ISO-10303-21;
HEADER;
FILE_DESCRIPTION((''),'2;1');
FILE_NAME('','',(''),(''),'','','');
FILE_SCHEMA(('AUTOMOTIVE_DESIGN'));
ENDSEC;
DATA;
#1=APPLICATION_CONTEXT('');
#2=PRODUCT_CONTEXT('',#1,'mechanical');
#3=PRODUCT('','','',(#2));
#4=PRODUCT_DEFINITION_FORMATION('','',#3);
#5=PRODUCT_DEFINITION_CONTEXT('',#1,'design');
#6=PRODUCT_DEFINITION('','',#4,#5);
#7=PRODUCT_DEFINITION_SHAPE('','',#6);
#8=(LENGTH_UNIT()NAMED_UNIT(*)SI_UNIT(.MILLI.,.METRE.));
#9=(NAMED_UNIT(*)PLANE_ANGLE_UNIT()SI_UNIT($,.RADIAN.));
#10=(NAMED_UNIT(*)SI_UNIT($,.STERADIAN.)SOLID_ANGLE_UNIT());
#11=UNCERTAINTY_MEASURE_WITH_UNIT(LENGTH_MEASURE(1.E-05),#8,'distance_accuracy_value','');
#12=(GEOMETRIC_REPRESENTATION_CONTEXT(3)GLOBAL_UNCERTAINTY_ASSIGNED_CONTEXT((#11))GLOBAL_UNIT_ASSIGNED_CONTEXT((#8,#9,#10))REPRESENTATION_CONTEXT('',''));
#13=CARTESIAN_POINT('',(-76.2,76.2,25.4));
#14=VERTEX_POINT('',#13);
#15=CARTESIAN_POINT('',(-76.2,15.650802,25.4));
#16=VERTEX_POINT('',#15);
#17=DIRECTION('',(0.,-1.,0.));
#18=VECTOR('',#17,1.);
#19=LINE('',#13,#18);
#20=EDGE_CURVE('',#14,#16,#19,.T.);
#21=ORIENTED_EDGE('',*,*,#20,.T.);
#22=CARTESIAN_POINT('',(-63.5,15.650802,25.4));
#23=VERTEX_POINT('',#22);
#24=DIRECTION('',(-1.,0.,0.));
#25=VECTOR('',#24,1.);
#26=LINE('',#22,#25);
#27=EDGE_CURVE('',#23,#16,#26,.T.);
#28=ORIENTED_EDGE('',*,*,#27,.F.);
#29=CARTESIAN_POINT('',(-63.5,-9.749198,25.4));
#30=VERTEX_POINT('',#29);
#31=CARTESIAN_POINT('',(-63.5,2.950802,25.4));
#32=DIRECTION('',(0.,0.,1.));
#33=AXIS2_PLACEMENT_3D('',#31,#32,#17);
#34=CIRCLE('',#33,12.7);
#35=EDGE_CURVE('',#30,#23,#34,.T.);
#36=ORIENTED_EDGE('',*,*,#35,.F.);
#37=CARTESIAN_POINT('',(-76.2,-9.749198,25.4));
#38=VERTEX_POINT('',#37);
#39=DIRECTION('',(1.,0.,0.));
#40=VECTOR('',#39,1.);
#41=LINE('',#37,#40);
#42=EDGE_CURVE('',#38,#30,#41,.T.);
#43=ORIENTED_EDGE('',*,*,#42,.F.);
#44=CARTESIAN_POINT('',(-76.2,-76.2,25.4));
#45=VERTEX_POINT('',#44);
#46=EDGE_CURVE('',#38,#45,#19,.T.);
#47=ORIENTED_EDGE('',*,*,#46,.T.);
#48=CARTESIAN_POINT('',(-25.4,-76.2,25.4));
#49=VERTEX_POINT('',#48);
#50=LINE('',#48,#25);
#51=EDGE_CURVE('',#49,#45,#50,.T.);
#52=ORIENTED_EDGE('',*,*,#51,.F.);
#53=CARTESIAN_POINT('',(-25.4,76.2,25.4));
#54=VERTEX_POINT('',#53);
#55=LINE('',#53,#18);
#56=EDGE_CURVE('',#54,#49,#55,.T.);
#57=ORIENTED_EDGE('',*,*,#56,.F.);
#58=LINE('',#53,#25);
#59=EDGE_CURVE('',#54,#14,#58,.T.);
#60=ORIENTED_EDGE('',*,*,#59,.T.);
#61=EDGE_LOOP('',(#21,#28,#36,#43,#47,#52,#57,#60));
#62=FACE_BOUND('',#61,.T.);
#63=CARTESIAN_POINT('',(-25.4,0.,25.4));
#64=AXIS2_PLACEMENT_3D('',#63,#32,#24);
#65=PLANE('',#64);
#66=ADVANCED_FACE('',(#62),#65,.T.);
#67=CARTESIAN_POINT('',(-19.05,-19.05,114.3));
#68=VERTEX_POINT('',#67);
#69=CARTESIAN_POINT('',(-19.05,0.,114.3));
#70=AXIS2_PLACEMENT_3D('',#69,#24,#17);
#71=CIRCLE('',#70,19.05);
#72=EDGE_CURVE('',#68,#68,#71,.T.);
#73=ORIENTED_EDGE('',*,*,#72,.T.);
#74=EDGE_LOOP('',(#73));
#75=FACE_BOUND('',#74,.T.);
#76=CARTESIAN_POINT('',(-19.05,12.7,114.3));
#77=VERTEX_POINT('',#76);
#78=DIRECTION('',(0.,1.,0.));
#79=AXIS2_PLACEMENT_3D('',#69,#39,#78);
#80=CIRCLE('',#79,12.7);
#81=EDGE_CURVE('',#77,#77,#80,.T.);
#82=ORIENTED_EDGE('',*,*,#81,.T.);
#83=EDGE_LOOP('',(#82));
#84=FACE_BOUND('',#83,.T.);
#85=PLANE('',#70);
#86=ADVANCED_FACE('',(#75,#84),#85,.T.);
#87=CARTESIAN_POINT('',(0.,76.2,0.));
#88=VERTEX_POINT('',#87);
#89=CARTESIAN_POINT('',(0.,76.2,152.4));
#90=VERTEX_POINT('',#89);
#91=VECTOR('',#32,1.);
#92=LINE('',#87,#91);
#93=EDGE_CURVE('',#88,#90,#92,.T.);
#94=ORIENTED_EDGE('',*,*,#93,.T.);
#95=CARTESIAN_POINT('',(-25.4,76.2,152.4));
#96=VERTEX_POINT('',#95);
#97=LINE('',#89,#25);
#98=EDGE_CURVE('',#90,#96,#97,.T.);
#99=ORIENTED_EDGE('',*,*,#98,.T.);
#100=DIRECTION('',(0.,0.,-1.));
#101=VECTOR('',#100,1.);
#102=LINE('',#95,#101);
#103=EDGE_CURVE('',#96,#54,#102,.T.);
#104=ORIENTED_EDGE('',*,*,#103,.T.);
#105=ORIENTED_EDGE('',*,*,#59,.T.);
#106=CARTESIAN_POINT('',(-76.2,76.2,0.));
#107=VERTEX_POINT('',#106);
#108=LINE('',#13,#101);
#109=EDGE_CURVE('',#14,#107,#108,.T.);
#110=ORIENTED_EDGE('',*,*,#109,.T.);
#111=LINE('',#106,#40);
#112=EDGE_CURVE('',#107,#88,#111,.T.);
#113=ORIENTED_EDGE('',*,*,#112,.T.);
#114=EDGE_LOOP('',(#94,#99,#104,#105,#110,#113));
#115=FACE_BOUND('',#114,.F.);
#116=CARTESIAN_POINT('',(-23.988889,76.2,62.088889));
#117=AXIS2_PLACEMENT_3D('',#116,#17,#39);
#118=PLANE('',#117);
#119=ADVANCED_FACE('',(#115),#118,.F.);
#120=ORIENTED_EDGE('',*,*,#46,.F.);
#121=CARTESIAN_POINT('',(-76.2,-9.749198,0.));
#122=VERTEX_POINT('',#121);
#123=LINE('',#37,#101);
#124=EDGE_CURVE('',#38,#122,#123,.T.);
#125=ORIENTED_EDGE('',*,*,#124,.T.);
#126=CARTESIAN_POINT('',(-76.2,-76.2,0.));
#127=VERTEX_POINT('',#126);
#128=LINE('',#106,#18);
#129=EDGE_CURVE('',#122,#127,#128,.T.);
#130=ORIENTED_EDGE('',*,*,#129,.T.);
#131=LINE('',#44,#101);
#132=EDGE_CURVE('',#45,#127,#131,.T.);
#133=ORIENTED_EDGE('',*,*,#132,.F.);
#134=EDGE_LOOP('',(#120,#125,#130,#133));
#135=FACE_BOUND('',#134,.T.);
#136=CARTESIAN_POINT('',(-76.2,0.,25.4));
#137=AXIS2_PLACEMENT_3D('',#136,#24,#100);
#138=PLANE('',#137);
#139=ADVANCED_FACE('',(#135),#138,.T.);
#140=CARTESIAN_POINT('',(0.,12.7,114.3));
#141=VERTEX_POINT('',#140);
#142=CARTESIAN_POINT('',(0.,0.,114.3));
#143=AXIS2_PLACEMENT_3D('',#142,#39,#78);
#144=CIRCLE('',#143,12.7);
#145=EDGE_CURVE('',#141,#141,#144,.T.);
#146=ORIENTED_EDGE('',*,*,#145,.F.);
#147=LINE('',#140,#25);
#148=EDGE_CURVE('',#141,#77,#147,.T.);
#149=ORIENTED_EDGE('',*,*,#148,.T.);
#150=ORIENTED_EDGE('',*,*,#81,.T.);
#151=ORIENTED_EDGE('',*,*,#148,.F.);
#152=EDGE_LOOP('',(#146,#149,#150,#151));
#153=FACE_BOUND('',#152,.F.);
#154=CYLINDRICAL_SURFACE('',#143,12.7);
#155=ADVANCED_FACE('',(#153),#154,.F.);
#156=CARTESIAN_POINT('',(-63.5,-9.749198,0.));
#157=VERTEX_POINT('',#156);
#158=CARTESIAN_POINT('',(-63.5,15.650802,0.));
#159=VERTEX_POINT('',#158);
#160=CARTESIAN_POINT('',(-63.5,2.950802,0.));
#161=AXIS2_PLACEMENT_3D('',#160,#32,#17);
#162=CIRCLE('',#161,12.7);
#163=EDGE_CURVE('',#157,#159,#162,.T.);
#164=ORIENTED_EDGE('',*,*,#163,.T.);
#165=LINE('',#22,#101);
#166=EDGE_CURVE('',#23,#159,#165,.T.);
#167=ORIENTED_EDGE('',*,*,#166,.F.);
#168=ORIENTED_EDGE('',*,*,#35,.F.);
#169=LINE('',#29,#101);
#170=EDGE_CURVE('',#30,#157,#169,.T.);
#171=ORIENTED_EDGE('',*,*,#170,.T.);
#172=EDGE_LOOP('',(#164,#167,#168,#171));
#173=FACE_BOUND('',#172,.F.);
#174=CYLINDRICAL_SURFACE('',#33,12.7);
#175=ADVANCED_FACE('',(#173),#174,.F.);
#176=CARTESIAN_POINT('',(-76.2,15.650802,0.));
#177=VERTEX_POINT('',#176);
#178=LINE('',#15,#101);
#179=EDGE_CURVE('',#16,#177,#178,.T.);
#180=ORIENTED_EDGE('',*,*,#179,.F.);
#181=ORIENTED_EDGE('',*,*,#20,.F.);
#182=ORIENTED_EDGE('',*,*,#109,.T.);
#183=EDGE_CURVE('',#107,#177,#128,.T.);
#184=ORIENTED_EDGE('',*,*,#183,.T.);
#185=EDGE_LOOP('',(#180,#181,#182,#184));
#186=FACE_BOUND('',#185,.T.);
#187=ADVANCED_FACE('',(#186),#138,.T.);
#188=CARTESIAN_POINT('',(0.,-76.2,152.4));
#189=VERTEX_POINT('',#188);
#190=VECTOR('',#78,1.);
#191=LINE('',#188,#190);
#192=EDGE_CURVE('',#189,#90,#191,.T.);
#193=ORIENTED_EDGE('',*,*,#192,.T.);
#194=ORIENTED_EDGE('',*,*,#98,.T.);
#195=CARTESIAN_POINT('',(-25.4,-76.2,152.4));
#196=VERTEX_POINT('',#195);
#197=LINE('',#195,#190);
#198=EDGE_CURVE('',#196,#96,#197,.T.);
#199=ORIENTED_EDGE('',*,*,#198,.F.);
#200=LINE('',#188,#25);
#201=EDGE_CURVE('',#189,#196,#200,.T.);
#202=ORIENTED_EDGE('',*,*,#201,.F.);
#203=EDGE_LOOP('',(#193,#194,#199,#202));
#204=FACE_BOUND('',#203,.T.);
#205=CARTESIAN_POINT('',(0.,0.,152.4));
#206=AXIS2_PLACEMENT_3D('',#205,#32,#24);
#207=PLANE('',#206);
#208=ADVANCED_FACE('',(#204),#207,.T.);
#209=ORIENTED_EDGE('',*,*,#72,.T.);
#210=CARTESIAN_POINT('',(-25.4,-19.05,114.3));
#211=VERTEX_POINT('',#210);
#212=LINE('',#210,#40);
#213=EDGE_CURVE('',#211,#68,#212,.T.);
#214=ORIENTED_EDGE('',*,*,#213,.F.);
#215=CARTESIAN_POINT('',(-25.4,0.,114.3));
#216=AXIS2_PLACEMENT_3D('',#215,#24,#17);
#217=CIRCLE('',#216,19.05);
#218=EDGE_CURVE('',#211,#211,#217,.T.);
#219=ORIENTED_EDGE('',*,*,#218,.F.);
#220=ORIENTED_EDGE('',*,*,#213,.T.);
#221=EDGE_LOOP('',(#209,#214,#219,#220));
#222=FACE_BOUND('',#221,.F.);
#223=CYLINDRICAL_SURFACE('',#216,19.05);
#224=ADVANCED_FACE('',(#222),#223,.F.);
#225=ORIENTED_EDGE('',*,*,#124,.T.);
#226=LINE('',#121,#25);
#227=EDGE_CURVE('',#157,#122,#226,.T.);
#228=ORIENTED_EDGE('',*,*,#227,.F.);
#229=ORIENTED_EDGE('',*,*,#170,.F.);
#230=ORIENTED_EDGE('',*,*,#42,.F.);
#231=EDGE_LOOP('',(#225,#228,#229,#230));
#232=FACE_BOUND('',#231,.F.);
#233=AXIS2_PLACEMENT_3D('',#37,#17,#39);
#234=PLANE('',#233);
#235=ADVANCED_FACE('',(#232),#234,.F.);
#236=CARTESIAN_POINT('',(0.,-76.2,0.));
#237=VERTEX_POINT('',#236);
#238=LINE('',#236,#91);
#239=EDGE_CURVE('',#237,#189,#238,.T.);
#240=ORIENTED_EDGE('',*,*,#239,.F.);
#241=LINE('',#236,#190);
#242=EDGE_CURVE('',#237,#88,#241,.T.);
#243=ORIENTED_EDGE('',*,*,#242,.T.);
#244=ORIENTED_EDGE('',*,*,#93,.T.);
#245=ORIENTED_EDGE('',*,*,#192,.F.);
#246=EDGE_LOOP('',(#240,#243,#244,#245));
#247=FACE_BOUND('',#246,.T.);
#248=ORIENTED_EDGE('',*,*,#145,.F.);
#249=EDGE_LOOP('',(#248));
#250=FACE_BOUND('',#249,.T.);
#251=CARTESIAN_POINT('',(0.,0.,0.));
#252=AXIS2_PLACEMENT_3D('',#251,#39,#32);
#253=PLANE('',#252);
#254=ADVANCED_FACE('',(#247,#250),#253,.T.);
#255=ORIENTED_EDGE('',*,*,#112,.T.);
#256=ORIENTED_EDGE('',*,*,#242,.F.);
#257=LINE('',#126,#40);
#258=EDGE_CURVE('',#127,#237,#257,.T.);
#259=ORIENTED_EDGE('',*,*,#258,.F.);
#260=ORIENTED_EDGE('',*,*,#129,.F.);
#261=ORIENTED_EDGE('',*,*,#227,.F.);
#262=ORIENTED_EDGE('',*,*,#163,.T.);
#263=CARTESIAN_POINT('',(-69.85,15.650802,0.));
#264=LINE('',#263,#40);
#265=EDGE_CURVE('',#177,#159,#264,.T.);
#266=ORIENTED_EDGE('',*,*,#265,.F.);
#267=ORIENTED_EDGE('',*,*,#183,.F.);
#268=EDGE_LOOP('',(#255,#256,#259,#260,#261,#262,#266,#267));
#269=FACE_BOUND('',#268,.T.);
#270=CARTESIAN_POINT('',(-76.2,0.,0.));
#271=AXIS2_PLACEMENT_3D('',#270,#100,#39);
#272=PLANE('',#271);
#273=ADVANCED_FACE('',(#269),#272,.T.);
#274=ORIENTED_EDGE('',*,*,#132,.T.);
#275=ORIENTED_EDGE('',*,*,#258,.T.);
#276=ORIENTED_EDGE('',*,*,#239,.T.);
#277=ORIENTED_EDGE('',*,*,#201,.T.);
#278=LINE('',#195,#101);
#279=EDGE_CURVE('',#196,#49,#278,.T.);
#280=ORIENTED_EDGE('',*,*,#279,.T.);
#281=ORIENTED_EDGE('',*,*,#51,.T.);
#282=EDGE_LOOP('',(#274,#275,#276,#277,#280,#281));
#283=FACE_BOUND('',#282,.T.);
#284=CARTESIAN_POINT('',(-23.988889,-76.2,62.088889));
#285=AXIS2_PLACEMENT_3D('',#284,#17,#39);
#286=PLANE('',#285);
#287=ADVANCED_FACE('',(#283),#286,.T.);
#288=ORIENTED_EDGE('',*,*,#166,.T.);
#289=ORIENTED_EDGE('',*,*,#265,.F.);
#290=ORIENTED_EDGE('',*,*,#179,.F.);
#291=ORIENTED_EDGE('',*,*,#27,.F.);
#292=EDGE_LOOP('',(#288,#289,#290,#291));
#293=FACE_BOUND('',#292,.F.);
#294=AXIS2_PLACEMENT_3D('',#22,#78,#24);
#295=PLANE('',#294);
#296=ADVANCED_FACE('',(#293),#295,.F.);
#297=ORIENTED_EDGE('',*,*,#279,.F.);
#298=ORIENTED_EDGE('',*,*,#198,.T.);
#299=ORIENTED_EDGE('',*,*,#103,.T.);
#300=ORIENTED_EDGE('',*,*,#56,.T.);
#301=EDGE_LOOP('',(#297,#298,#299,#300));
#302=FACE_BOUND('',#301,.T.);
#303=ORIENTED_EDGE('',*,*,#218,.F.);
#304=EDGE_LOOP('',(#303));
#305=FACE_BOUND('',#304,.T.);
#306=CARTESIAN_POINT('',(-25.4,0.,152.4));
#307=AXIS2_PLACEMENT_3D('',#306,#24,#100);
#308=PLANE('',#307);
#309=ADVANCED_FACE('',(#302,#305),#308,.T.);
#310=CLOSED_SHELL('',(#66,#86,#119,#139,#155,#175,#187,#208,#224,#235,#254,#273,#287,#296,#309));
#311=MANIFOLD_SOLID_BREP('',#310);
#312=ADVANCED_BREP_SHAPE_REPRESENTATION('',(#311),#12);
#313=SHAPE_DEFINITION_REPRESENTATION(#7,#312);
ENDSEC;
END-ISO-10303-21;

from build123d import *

# Parameters (mm, degrees)
F1_DEPTH = 76.2
F2_R     = 12.7
F3_DEPTH = 76.201
F5_DEPTH = 50.8
F6_R     = 19.05
F6_R_2   = 12.7
F7_DEPTH = 6.35


with BuildPart() as f1:
    # F0 (on Front) → F1 (new body, symmetric)
    with BuildSketch(Plane.XZ):
        Polygon((-25.4, 152.4), (-25.4, 25.4), (-76.2, 25.4), (-76.2, 0), (0, 0), (0, 152.4), align=None)
    extrude(amount=F1_DEPTH, both=True)

    # F2 (on face) → F3 (cut, through all)
    with BuildSketch(Plane.YZ):
        with Locations((0, 114.3)):
            Circle(F2_R)
    extrude(amount=-F3_DEPTH, mode=Mode.SUBTRACT)

    # F4 (on face) → F5 (cut)
    with BuildSketch(Plane.XY.offset(25.4)):
        with BuildLine():
            Line((-76.2, 15.650802), (-76.2, 2.950802))
            Line((-76.2, 2.950802), (-76.2, -9.749198))
            Line((-76.2, -9.749198), (-63.5, -9.749198))
            ThreePointArc((-63.5, -9.749198), (-50.8, 2.950802), (-63.5, 15.650802))
            Line((-63.5, 15.650802), (-76.2, 15.650802))
        make_face()
    extrude(amount=-F5_DEPTH, mode=Mode.SUBTRACT)

    # F6 (on face) → F7 (cut)
    with BuildSketch(Plane(origin=(-25.4, 0, 0), x_dir=(0, -1, 0), z_dir=(-1, 0, 0))):
        with Locations((0, 114.3)):
            Circle(F6_R)
        with Locations((0, 114.3)):
            Circle(F6_R_2, mode=Mode.SUBTRACT)
    extrude(amount=-F7_DEPTH, mode=Mode.SUBTRACT)


solid = f1.part
